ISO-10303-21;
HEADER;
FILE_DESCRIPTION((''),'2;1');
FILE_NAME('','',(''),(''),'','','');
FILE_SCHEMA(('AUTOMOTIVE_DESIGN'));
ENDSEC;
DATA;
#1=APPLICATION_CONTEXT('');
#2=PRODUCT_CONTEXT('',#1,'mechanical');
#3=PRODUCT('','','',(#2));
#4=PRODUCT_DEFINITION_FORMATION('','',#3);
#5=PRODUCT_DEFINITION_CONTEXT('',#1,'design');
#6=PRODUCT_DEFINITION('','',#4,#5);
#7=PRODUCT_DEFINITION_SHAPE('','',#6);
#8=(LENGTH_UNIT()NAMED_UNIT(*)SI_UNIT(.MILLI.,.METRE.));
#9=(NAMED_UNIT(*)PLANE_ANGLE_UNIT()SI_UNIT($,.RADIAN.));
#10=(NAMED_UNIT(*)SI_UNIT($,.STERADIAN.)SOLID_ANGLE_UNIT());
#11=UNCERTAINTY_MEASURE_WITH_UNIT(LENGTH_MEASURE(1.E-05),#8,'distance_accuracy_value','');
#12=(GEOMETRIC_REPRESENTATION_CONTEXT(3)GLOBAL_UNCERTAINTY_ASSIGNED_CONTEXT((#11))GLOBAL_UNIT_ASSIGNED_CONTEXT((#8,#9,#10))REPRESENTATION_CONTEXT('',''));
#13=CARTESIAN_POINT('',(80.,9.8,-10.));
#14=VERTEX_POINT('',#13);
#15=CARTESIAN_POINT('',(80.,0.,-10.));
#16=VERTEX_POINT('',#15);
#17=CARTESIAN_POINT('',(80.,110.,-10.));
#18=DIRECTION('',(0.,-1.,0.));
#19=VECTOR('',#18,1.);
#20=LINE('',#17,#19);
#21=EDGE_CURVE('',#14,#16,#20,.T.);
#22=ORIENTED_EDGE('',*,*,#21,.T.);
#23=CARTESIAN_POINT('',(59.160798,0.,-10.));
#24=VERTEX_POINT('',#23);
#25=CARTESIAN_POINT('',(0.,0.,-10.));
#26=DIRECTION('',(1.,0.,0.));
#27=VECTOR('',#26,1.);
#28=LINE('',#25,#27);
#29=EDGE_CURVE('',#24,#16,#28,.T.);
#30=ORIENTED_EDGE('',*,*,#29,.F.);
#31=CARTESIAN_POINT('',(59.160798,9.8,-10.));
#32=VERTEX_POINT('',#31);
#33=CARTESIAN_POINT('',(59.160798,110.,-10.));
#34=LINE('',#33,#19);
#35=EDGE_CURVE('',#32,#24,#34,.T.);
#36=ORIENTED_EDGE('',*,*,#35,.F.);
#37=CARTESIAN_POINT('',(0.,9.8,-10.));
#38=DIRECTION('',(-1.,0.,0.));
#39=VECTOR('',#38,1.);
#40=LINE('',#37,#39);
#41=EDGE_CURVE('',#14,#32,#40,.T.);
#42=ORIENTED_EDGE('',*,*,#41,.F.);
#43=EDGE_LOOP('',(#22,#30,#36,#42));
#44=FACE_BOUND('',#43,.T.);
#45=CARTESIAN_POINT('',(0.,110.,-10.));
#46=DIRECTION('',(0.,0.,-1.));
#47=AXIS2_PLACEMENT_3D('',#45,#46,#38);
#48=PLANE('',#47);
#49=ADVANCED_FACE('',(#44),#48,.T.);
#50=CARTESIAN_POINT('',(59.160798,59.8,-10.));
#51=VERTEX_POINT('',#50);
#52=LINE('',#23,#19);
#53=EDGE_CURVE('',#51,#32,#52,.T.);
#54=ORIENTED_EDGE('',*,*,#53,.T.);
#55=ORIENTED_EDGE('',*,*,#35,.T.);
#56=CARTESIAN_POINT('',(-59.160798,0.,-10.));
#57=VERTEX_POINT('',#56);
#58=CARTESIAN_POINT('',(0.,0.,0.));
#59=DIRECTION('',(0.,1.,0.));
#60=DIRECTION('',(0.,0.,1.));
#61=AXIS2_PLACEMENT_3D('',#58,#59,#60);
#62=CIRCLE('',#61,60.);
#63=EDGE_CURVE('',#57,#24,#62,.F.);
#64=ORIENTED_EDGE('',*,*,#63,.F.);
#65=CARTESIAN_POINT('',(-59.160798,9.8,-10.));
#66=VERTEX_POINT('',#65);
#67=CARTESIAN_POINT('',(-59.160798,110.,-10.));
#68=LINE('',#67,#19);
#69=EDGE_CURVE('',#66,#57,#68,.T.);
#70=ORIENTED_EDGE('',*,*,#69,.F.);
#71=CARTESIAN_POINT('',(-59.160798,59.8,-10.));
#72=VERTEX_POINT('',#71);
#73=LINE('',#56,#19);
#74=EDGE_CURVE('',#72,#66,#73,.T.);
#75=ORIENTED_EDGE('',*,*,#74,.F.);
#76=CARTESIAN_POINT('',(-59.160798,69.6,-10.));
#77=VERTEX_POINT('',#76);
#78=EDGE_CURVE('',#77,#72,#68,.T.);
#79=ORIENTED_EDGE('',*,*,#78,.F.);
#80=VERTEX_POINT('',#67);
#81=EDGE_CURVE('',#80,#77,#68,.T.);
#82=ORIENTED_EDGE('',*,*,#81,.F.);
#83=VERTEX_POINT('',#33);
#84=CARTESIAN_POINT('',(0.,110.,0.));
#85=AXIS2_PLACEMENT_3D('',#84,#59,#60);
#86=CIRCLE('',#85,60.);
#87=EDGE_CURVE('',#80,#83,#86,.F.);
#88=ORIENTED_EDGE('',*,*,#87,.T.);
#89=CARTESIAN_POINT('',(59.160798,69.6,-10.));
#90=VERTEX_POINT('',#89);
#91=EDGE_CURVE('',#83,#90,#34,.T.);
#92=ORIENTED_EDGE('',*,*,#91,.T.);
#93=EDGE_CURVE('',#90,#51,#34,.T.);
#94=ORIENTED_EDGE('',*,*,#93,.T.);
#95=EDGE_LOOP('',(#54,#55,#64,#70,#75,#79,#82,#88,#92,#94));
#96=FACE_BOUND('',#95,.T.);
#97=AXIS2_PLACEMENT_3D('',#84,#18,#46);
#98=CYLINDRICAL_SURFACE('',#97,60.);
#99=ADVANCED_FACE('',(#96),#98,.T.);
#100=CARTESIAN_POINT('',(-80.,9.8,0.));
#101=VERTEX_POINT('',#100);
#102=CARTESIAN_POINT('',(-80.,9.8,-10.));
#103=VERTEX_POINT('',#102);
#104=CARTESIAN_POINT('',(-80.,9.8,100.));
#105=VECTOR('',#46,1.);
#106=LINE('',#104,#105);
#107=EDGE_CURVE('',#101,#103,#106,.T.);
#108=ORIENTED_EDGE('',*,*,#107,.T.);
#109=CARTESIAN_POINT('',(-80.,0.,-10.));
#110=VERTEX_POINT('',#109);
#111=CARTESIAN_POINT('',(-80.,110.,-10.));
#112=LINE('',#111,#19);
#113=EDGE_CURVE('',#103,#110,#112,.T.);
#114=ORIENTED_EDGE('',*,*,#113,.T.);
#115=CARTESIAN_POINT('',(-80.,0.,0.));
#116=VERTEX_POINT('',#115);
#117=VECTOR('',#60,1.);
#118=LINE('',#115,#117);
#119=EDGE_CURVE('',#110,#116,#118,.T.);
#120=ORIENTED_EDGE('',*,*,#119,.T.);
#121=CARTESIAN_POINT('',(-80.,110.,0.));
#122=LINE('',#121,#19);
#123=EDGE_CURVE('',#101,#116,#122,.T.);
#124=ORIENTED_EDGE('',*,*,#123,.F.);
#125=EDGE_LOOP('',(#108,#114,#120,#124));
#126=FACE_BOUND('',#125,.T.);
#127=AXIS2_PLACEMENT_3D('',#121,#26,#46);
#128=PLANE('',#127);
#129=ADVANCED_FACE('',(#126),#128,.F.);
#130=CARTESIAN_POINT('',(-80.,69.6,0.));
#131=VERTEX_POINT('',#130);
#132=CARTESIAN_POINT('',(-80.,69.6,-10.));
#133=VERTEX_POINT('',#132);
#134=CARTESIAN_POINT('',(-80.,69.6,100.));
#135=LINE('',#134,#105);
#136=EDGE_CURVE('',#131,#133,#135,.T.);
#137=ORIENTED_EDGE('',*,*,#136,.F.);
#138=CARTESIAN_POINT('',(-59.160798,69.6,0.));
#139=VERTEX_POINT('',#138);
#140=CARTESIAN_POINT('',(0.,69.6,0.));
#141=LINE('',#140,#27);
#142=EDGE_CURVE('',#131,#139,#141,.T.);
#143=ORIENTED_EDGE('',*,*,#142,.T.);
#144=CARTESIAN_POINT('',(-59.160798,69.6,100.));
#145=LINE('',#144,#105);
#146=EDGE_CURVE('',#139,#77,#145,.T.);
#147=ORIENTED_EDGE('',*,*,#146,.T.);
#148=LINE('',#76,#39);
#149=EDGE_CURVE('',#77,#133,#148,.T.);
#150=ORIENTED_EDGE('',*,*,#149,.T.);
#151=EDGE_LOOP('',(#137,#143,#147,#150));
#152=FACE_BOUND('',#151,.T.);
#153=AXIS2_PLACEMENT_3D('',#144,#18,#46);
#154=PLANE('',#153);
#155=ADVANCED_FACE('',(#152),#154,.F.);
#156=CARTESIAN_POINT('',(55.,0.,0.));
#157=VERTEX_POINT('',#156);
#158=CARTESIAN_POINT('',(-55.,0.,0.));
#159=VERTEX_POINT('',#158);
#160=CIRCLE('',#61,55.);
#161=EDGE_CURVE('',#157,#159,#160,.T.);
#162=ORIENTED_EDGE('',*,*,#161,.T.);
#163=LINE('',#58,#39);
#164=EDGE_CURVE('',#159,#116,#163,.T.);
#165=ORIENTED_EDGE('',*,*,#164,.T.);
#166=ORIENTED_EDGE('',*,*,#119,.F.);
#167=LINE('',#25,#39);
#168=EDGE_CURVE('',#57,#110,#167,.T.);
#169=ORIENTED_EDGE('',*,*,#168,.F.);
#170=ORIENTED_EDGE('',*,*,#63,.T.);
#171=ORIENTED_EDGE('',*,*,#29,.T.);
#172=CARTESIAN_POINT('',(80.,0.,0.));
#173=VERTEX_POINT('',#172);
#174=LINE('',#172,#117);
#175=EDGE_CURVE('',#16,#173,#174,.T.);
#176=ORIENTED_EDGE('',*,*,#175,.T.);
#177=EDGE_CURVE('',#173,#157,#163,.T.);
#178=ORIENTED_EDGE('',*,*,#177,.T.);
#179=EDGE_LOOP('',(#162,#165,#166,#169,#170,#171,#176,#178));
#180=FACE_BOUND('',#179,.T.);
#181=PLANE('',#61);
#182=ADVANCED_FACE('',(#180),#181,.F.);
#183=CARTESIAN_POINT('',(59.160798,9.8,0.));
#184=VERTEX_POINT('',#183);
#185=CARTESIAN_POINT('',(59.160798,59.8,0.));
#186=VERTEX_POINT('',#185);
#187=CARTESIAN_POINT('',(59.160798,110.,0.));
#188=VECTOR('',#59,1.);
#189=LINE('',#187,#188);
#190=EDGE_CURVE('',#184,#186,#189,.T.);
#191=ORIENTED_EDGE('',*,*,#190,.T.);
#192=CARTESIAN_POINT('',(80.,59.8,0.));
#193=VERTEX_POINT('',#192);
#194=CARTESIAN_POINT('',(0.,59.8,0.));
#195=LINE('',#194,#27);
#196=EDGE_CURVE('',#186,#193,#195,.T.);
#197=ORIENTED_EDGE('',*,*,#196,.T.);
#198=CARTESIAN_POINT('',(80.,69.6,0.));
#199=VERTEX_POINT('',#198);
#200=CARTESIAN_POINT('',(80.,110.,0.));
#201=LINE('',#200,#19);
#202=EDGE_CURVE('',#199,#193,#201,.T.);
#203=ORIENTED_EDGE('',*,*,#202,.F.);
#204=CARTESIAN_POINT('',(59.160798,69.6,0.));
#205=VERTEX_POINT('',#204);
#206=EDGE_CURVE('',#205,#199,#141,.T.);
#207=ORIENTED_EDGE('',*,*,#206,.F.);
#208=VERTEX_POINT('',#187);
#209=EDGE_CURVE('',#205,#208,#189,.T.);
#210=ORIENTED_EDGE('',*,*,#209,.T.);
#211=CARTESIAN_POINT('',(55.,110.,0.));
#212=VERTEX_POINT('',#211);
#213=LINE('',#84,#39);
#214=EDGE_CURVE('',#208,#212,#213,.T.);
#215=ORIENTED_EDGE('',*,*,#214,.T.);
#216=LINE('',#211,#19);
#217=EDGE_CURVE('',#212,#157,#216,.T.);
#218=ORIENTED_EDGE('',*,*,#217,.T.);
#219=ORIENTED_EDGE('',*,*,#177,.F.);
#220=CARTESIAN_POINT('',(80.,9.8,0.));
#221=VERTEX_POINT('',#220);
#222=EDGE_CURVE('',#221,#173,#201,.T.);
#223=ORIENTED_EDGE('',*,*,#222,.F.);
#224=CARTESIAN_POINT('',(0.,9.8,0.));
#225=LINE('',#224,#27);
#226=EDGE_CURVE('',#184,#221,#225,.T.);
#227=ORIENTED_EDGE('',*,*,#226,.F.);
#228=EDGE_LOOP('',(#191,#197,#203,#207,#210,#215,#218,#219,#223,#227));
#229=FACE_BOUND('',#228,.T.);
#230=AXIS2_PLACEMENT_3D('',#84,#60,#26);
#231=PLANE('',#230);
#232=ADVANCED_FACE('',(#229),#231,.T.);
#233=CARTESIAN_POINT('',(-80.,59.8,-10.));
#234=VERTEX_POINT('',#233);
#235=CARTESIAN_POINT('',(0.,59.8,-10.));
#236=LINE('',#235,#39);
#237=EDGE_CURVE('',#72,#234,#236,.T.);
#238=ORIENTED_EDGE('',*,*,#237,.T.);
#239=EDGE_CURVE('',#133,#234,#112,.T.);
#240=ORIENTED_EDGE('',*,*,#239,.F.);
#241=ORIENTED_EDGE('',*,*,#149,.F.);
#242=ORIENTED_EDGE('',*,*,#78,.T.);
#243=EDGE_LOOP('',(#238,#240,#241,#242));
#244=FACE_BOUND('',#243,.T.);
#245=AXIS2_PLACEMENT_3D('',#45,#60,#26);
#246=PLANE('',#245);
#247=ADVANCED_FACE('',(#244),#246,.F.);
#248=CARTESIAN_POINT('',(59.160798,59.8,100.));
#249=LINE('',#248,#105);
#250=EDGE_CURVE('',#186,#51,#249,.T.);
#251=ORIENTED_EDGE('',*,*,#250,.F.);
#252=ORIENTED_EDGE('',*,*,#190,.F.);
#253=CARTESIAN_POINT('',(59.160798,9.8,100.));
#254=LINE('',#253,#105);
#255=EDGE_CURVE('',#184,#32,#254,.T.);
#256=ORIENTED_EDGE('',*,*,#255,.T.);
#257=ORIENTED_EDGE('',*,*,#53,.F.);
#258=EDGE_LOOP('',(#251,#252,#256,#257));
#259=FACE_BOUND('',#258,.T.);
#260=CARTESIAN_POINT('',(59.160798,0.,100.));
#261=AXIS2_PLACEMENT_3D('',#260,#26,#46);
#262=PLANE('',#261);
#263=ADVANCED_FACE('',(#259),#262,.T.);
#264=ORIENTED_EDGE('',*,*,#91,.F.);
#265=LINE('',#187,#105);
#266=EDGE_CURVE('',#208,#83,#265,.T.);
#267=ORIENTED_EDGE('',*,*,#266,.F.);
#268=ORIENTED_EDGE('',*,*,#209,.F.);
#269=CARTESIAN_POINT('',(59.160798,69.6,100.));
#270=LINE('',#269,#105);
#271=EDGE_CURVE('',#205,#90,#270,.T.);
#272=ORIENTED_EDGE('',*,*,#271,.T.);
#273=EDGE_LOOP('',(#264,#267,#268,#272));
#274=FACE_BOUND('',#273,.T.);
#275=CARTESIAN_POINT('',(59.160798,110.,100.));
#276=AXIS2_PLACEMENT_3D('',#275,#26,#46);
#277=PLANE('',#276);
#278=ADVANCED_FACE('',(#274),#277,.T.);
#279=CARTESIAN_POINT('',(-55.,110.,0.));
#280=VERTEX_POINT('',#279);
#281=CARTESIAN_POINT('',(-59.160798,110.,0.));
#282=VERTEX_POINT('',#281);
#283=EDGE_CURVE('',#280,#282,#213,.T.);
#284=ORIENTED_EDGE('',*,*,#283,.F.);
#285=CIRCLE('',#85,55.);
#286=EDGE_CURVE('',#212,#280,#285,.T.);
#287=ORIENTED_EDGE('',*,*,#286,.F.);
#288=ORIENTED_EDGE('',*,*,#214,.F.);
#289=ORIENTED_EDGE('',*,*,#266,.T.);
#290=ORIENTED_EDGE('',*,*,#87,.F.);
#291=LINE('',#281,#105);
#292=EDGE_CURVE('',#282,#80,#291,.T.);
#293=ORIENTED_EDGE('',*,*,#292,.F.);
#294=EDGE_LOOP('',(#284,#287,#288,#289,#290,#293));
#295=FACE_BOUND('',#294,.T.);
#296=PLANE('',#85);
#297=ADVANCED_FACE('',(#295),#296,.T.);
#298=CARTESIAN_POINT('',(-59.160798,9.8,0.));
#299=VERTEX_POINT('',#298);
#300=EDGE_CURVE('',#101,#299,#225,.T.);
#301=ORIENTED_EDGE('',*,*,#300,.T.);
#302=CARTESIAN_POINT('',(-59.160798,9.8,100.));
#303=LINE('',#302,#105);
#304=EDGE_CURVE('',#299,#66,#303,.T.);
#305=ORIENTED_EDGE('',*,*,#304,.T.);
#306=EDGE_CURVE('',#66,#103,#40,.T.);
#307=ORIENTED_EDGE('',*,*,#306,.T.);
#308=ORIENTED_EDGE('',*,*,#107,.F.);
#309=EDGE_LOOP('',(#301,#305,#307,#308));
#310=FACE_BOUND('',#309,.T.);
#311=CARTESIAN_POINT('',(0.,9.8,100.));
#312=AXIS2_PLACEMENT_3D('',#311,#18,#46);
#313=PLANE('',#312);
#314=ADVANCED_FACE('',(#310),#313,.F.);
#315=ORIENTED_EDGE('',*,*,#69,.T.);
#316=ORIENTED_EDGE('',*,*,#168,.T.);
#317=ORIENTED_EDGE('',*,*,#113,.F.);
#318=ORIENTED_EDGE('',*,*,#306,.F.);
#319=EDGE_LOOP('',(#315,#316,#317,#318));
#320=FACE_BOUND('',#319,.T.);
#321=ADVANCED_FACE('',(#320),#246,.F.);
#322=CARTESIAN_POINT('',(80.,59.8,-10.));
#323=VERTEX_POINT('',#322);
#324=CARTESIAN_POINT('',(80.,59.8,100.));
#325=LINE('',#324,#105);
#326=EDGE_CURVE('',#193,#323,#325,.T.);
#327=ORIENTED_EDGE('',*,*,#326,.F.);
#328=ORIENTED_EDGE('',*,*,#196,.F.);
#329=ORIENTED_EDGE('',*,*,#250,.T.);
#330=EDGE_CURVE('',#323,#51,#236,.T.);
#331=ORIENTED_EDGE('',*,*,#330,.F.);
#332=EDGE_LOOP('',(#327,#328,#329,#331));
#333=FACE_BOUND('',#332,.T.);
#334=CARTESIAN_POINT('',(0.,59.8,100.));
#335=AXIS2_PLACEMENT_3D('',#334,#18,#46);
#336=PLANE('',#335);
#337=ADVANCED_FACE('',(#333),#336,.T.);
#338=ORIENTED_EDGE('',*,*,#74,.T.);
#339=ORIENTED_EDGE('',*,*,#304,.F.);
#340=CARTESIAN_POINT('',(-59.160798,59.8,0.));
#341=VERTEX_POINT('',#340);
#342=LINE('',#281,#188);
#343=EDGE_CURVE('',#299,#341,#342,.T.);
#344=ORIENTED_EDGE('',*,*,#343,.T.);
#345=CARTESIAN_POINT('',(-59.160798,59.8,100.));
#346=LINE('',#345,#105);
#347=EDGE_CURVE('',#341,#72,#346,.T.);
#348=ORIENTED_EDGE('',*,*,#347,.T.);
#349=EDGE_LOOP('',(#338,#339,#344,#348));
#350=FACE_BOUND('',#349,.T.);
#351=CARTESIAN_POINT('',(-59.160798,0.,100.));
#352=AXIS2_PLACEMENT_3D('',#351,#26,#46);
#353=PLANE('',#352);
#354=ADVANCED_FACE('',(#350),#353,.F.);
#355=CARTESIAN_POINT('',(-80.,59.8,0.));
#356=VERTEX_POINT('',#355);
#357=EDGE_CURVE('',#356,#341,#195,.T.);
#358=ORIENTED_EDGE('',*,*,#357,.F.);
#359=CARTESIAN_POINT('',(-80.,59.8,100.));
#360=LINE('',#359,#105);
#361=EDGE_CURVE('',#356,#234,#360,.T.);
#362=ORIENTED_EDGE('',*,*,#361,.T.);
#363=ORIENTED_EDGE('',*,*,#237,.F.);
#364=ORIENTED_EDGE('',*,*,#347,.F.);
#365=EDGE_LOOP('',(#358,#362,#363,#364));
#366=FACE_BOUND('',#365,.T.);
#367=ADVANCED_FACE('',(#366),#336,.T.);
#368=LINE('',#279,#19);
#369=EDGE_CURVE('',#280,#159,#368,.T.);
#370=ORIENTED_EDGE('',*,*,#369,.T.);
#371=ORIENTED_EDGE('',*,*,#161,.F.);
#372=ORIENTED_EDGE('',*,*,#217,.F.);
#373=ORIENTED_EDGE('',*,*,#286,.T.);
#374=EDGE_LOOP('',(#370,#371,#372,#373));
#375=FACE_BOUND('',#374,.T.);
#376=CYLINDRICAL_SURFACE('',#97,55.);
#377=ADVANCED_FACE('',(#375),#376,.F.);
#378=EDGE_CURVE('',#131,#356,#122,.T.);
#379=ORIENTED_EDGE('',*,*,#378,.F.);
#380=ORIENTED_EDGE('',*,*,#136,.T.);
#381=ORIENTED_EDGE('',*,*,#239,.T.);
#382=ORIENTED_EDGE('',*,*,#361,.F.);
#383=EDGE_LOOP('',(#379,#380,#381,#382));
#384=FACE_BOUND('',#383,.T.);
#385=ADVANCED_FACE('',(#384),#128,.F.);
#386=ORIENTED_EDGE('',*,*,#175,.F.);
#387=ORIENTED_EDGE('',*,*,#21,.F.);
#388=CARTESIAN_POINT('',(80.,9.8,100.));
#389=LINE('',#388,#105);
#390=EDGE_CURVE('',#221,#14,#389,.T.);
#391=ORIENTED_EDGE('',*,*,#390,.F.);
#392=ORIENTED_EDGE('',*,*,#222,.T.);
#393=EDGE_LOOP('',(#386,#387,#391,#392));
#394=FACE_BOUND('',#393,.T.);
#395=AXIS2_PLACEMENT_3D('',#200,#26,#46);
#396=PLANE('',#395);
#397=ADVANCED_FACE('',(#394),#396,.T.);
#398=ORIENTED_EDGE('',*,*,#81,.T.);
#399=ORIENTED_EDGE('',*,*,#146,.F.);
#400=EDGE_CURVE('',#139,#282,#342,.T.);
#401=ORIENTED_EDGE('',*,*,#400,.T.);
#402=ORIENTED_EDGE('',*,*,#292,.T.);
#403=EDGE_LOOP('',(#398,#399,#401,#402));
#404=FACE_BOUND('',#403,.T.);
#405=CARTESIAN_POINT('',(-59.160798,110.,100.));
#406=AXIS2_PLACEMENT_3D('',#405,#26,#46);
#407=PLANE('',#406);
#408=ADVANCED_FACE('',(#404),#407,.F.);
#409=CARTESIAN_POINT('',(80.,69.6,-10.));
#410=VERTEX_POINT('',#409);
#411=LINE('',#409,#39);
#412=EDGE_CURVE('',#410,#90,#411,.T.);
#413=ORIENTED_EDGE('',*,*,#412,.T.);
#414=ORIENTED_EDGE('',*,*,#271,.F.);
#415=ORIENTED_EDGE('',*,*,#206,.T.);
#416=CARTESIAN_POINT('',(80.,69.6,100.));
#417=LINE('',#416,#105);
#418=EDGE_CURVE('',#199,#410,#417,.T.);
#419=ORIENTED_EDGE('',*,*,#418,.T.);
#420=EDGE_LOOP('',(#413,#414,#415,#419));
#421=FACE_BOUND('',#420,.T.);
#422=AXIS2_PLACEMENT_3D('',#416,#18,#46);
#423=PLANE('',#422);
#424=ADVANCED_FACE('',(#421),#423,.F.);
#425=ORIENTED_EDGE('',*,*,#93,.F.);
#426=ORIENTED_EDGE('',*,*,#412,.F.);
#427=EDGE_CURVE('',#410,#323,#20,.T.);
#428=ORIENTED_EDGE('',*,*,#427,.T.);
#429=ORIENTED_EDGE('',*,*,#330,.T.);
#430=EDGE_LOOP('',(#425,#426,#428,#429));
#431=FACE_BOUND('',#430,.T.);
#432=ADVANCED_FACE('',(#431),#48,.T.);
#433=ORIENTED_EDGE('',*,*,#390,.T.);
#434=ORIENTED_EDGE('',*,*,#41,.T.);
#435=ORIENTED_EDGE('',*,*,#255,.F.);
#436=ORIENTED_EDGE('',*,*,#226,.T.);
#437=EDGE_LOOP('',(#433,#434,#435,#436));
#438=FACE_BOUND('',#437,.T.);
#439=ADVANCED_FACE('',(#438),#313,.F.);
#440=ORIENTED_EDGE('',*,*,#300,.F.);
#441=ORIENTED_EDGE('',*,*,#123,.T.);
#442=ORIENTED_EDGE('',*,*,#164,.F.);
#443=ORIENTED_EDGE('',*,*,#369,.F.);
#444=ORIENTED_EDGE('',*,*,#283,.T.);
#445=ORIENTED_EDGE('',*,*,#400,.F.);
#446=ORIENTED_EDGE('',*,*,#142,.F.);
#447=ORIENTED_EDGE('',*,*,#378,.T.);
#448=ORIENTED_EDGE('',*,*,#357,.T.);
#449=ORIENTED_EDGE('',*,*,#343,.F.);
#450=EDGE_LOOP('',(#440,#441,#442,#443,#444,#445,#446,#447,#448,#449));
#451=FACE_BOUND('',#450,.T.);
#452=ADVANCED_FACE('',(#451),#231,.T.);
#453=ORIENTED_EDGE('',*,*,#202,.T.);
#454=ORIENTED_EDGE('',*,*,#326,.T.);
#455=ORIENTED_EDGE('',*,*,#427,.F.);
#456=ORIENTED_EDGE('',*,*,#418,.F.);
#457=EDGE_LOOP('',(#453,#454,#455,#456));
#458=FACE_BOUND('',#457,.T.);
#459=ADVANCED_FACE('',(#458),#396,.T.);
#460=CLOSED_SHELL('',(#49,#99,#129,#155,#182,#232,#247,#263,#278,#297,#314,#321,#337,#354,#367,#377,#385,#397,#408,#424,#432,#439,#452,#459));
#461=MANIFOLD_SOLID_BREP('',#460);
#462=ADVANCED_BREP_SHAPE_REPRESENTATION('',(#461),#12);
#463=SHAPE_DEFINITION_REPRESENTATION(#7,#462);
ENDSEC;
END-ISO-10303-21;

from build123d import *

# Parameters (mm, degrees)
BOSS_EXTRUDE1_DEPTH = 110
SKETCH3_W           = 20.839202169
SKETCH3_H           = 50
SKETCH3_H_2         = 40.4
CUT_EXTRUDE1_DEPTH  = 110


with BuildPart() as part:
    # Sketch1 → Boss-Extrude1 (new body)
    with BuildSketch(Plane(origin=(0, 0, 0), x_dir=(1, 0, 0), z_dir=(0, 1, 0))):
        with BuildLine():
            ThreePointArc((-55, 0), (0, 55), (55, 0))
            Line((55, 0), (55, 10))
            Line((55, 10), (59.160797831, 10))
            ThreePointArc((59.160797831, 10), (0, 60), (-59.160797831, 10))
            Line((-59.160797831, 10), (-55, 10))
            Line((-55, 10), (-55, 0))
        make_face()
        with BuildLine():
            Line((-60, 0), (-55, 0))
            Line((-55, 0), (-55, 10))
            Line((-55, 10), (-59.160797831, 10))
            ThreePointArc((-59.160797831, 10), (-59.789831367, 5.017575617), (-60, 0))
        make_face()
        with BuildLine():
            ThreePointArc((-60, 0), (-59.789831367, 5.017575617), (-59.160797831, 10))
            Line((-59.160797831, 10), (-80, 10))
            Line((-80, 10), (-80, 0))
            Line((-80, 0), (-60, 0))
        make_face()
        with BuildLine():
            Line((60, 0), (80, 0))
            Line((80, 0), (80, 10))
            Line((80, 10), (59.160797831, 10))
            ThreePointArc((59.160797831, 10), (59.789831367, 5.017575617), (60, 0))
        make_face()
        with BuildLine():
            Line((55, 0), (60, 0))
            ThreePointArc((60, 0), (59.789831367, 5.017575617), (59.160797831, 10))
            Line((59.160797831, 10), (55, 10))
            Line((55, 10), (55, 0))
        make_face()
    extrude(amount=BOSS_EXTRUDE1_DEPTH)

    # Sketch3 → Cut-Extrude1 (cut)
    with BuildSketch(Plane(origin=(0, 0, -10), x_dir=(-1, 0, 0), z_dir=(0, 0, -1))):
        with Locations((-69.580398915, 34.8)):
            Rectangle(SKETCH3_W, SKETCH3_H)
        with Locations((69.580398915, 34.8)):
            Rectangle(SKETCH3_W, SKETCH3_H)
        with Locations((-69.580398915, 89.8)):
            Rectangle(SKETCH3_W, SKETCH3_H_2)
        with Locations((69.580398915, 89.8)):
            Rectangle(SKETCH3_W, SKETCH3_H_2)
    extrude(amount=-CUT_EXTRUDE1_DEPTH, mode=Mode.SUBTRACT)


solid = part.part
